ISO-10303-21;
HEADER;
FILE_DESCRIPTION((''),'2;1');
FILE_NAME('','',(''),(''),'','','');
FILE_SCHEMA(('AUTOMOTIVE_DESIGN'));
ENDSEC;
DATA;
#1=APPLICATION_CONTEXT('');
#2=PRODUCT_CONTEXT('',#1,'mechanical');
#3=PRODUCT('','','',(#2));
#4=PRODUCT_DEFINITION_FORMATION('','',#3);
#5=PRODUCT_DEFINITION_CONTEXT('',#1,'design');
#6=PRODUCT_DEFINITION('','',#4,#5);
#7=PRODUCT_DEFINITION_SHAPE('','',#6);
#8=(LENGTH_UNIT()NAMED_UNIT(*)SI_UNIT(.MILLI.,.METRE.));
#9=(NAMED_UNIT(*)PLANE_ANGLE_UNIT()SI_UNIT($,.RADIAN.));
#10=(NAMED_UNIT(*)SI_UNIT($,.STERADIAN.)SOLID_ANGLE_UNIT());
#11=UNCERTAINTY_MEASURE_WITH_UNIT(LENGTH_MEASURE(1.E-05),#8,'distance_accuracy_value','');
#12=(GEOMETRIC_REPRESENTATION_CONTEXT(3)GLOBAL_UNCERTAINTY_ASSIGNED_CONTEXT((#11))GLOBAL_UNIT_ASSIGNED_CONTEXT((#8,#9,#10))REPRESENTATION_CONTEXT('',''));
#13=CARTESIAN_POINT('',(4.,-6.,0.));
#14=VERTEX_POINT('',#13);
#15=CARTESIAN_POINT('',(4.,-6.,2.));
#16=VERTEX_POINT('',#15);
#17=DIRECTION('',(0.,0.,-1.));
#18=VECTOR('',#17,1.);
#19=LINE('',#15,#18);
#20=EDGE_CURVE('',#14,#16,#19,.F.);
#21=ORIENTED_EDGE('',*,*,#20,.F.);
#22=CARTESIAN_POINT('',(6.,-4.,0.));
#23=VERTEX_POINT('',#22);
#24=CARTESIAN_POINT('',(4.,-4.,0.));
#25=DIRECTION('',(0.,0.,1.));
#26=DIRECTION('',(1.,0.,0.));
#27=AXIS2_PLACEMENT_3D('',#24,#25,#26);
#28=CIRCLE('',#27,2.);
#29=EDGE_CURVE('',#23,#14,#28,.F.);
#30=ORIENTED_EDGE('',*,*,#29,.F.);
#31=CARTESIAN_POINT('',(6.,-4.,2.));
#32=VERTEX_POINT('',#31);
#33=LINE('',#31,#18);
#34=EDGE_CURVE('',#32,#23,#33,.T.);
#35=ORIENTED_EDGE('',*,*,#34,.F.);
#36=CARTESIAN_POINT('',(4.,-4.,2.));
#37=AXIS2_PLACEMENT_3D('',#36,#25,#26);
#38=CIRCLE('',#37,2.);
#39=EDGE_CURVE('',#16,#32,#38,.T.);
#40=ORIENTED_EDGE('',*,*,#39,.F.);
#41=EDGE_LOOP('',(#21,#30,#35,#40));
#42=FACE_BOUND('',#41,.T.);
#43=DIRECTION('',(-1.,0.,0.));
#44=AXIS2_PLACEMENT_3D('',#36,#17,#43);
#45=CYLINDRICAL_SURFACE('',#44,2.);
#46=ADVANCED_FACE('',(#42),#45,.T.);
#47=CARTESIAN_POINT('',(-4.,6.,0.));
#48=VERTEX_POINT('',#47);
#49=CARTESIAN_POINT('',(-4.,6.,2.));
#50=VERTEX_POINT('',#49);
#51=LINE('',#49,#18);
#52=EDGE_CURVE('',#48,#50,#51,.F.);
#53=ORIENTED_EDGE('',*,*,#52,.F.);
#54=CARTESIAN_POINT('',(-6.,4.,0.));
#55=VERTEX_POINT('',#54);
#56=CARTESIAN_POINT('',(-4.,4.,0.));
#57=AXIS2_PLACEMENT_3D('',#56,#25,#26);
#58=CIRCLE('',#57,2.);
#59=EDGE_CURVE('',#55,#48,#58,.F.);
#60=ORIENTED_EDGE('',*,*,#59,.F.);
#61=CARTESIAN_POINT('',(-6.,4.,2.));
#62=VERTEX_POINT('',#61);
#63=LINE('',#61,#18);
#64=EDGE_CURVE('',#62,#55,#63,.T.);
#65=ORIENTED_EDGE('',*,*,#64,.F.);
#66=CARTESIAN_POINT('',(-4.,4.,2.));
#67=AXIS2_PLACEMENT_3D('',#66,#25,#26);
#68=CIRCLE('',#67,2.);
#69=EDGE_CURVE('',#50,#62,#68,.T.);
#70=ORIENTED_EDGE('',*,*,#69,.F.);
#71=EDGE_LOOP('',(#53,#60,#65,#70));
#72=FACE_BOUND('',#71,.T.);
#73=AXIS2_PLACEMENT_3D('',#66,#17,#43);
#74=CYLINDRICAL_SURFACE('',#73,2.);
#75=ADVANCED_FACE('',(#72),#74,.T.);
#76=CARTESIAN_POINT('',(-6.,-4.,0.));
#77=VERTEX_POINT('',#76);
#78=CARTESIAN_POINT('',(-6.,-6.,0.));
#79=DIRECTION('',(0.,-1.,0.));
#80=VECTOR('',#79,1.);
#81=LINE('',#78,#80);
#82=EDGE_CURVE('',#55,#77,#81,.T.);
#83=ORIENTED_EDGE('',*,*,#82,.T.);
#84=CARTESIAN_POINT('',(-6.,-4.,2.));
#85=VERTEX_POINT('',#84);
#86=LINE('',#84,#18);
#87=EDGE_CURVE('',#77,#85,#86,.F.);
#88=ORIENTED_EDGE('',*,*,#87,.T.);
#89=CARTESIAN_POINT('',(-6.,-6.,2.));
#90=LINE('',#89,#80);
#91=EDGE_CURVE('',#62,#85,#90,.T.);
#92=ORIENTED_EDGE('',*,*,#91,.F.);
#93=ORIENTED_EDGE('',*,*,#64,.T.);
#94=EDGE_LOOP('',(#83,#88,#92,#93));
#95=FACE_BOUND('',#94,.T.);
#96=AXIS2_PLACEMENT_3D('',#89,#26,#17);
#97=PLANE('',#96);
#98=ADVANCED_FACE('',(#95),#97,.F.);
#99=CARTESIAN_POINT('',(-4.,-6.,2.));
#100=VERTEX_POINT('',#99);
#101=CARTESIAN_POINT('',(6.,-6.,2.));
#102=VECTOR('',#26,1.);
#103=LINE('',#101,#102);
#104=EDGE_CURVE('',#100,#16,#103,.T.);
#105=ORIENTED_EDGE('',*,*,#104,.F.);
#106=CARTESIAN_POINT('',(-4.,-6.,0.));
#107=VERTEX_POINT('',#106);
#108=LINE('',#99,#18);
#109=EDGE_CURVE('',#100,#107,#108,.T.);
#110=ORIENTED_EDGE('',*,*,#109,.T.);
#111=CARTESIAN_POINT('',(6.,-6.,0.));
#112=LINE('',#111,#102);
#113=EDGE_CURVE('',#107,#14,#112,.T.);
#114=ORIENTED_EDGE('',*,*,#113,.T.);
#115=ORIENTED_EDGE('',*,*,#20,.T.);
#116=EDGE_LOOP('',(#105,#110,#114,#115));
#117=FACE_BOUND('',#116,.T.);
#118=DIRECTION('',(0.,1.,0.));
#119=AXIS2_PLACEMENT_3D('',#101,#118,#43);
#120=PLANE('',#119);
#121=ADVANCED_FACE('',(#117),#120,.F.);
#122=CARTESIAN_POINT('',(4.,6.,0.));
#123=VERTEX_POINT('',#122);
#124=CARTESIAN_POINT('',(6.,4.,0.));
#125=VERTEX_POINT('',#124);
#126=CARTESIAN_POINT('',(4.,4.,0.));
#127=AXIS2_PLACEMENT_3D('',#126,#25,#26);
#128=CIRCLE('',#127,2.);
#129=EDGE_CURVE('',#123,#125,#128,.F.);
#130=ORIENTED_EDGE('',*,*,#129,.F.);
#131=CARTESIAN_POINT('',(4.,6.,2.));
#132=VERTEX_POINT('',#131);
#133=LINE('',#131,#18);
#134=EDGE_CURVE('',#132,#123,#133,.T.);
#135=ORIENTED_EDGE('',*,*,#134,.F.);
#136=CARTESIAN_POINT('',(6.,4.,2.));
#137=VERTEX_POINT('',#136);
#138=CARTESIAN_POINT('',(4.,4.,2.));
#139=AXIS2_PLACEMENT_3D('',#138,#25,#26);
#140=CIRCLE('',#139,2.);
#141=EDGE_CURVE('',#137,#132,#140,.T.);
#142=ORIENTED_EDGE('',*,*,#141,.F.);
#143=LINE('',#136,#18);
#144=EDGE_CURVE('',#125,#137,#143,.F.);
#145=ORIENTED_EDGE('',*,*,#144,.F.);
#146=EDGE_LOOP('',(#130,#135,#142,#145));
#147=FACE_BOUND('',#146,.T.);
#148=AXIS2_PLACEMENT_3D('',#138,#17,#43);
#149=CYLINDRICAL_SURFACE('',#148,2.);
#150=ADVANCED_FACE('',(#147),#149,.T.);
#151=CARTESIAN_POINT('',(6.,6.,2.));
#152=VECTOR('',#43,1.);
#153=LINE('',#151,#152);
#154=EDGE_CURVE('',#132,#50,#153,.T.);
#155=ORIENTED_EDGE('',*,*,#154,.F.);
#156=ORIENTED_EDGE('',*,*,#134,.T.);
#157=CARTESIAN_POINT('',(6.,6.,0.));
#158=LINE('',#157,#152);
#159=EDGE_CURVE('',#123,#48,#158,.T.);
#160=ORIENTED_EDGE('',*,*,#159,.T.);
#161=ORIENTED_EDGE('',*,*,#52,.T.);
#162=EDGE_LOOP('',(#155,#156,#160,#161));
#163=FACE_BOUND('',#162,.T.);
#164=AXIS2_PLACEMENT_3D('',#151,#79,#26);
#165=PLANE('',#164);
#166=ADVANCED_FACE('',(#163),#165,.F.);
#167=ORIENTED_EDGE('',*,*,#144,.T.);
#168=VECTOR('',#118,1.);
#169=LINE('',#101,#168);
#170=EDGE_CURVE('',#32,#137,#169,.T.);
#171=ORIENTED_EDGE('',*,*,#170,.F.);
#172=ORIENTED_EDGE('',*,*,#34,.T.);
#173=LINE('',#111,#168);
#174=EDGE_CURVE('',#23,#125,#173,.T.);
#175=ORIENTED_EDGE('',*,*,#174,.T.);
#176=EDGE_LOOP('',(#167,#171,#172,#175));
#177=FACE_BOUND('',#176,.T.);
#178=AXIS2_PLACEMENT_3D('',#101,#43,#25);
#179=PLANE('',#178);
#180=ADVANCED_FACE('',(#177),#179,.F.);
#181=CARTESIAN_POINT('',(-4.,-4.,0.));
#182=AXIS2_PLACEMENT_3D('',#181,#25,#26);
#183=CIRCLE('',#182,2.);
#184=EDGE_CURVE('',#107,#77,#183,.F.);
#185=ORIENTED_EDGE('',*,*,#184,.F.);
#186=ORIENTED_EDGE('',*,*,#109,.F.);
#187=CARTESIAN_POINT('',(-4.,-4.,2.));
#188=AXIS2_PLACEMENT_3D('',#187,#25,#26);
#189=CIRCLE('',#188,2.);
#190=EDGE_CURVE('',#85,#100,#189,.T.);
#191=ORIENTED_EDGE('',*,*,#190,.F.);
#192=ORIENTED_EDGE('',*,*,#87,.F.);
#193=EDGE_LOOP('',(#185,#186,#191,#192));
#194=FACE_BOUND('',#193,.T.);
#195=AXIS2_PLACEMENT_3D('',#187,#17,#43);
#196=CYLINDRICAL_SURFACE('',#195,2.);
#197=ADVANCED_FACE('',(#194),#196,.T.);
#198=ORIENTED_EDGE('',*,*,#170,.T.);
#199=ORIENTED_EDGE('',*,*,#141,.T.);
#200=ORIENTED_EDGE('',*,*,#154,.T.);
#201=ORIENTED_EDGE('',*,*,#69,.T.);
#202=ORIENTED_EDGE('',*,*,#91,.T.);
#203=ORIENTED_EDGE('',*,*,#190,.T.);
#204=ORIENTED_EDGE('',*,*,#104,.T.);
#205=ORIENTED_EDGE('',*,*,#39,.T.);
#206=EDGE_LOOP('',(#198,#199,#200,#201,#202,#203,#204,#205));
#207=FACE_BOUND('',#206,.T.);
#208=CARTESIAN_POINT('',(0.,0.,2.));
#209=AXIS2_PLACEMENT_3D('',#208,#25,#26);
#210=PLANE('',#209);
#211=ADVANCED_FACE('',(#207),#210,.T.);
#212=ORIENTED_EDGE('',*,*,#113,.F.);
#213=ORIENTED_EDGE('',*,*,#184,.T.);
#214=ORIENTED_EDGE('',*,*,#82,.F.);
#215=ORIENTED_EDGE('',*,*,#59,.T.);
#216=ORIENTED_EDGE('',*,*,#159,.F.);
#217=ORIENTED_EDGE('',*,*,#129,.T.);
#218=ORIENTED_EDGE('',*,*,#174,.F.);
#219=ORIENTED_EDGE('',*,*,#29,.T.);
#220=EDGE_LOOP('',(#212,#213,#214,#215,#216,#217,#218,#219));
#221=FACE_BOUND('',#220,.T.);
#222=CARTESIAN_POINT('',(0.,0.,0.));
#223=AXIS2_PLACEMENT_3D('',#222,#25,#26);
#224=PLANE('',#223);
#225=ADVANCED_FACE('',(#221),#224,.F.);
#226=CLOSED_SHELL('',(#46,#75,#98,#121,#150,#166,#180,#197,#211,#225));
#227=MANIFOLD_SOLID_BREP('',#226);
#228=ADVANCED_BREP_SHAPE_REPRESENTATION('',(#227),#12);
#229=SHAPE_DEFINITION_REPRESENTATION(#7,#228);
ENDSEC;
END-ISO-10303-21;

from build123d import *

# Parameters (mm, degrees)
ESBO_O1_W                = 12
ESBO_O1_H                = 12
RESSALTO_EXTRUS_O1_DEPTH = 2
FILETE1_R                = 2


with BuildPart() as part:
    # Esboço1 → Ressalto-extrusão1 (new body)
    with BuildSketch(Plane.XY):
        Rectangle(ESBO_O1_W, ESBO_O1_H)
    extrude(amount=RESSALTO_EXTRUS_O1_DEPTH)

    # Filete1
    filete1_edges = [part.edges().sort_by_distance(p)[0] for p in [
        (-6, 6, 1),
        (6, 6, 1),
        (6, -6, 1),
        (-6, -6, 1),
    ]]
    fillet(filete1_edges, radius=FILETE1_R)


solid = part.part
